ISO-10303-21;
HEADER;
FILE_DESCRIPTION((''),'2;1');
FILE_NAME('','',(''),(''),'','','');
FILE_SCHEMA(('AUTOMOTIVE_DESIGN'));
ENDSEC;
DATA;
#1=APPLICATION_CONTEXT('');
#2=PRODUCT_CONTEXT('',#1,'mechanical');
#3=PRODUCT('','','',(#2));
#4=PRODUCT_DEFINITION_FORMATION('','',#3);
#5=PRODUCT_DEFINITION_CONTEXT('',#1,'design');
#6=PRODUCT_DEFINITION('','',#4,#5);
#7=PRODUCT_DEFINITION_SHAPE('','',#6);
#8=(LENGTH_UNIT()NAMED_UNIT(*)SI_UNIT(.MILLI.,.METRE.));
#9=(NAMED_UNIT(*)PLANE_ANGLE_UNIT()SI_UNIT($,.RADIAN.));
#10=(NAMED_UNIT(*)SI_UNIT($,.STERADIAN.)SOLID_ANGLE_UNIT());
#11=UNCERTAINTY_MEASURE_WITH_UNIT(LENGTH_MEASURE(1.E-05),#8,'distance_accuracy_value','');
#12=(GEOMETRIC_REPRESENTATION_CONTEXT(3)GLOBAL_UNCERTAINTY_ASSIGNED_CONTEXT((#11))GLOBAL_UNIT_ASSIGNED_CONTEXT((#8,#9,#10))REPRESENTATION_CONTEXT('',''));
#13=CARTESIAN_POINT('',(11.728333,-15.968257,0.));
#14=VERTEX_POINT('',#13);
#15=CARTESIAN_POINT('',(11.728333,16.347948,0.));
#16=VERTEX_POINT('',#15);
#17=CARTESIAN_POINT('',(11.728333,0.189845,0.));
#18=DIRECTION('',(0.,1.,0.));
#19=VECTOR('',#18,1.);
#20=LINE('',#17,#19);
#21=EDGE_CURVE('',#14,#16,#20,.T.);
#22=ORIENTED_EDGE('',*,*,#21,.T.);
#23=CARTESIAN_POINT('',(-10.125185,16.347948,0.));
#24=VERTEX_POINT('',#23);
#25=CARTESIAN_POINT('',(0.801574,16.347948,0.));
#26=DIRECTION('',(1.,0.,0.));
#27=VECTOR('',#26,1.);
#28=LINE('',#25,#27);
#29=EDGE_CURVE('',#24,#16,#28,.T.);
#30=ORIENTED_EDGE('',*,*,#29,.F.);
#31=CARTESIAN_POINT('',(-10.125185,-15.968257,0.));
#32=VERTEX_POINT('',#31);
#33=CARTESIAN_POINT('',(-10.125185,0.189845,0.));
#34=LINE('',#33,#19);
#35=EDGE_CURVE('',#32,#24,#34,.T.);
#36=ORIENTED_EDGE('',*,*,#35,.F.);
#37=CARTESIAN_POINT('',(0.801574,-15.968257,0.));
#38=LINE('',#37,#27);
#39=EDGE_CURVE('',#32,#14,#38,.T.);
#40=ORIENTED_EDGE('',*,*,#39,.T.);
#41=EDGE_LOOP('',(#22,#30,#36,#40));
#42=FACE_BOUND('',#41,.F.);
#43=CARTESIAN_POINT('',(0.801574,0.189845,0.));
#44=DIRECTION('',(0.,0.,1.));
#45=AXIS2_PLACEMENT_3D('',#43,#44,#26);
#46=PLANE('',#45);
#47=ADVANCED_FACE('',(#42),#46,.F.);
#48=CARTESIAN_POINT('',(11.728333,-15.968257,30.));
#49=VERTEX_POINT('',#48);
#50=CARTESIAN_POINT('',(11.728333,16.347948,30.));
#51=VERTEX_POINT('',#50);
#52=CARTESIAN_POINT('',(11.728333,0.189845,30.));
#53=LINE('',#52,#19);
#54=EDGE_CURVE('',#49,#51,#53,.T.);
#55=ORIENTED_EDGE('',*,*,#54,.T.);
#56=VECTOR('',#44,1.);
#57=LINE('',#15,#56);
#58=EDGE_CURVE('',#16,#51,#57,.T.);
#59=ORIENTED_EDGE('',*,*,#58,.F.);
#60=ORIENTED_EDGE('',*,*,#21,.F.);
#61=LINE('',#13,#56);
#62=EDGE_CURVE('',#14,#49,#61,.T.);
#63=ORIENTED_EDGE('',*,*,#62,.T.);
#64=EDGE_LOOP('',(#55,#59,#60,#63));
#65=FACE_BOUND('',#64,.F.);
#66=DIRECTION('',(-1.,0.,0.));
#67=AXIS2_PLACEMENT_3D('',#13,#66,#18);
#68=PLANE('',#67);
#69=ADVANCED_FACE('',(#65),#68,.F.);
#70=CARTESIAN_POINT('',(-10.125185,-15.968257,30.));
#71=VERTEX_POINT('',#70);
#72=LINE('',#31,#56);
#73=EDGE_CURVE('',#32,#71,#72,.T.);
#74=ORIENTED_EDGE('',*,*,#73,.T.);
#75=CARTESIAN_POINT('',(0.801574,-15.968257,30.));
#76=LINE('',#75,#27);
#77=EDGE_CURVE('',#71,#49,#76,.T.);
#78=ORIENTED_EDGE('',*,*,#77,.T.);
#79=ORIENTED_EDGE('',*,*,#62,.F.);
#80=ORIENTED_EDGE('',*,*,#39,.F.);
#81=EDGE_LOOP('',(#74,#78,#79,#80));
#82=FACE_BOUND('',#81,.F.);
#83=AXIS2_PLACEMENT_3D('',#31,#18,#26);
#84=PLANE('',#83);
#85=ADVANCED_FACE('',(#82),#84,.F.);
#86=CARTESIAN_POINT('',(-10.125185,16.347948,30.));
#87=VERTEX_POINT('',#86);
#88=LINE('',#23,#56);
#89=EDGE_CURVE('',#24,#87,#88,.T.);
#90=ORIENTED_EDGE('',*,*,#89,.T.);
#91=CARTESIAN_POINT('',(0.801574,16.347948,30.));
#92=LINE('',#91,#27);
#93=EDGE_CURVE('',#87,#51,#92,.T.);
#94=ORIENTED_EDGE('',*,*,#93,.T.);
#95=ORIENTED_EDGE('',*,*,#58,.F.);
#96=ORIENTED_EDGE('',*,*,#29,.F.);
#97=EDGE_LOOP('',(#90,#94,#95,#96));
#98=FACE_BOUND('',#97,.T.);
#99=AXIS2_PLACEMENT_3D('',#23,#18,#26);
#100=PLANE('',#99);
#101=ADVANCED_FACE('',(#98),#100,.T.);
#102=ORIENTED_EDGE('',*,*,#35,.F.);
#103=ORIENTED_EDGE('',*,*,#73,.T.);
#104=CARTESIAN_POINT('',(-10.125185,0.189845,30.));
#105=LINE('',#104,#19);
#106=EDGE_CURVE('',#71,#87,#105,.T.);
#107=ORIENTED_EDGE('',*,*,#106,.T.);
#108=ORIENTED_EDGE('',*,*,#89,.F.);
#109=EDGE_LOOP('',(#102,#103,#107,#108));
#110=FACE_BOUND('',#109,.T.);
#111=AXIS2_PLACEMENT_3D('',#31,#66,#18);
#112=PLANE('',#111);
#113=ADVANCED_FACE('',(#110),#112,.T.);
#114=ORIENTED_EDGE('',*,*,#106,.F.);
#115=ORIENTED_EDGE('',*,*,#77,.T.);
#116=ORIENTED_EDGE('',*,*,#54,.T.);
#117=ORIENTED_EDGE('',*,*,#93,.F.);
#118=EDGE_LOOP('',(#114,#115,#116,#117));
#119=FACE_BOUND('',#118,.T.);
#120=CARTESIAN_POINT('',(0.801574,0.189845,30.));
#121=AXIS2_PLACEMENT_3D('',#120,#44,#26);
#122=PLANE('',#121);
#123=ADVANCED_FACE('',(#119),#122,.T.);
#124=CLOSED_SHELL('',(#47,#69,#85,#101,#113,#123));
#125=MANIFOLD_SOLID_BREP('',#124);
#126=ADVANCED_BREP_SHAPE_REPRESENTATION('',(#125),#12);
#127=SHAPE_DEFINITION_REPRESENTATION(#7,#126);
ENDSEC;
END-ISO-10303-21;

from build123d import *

# Parameters (mm, degrees)
SKETCH_W  = 21.853518
SKETCH_H  = 32.316205
PAD_DEPTH = 30


with BuildPart() as part:
    # Sketch → Pad (new body)
    with BuildSketch(Plane.XY):
        with Locations((0.801574, 0.189845)):
            Rectangle(SKETCH_W, SKETCH_H)
    extrude(amount=PAD_DEPTH)


solid = part.part
